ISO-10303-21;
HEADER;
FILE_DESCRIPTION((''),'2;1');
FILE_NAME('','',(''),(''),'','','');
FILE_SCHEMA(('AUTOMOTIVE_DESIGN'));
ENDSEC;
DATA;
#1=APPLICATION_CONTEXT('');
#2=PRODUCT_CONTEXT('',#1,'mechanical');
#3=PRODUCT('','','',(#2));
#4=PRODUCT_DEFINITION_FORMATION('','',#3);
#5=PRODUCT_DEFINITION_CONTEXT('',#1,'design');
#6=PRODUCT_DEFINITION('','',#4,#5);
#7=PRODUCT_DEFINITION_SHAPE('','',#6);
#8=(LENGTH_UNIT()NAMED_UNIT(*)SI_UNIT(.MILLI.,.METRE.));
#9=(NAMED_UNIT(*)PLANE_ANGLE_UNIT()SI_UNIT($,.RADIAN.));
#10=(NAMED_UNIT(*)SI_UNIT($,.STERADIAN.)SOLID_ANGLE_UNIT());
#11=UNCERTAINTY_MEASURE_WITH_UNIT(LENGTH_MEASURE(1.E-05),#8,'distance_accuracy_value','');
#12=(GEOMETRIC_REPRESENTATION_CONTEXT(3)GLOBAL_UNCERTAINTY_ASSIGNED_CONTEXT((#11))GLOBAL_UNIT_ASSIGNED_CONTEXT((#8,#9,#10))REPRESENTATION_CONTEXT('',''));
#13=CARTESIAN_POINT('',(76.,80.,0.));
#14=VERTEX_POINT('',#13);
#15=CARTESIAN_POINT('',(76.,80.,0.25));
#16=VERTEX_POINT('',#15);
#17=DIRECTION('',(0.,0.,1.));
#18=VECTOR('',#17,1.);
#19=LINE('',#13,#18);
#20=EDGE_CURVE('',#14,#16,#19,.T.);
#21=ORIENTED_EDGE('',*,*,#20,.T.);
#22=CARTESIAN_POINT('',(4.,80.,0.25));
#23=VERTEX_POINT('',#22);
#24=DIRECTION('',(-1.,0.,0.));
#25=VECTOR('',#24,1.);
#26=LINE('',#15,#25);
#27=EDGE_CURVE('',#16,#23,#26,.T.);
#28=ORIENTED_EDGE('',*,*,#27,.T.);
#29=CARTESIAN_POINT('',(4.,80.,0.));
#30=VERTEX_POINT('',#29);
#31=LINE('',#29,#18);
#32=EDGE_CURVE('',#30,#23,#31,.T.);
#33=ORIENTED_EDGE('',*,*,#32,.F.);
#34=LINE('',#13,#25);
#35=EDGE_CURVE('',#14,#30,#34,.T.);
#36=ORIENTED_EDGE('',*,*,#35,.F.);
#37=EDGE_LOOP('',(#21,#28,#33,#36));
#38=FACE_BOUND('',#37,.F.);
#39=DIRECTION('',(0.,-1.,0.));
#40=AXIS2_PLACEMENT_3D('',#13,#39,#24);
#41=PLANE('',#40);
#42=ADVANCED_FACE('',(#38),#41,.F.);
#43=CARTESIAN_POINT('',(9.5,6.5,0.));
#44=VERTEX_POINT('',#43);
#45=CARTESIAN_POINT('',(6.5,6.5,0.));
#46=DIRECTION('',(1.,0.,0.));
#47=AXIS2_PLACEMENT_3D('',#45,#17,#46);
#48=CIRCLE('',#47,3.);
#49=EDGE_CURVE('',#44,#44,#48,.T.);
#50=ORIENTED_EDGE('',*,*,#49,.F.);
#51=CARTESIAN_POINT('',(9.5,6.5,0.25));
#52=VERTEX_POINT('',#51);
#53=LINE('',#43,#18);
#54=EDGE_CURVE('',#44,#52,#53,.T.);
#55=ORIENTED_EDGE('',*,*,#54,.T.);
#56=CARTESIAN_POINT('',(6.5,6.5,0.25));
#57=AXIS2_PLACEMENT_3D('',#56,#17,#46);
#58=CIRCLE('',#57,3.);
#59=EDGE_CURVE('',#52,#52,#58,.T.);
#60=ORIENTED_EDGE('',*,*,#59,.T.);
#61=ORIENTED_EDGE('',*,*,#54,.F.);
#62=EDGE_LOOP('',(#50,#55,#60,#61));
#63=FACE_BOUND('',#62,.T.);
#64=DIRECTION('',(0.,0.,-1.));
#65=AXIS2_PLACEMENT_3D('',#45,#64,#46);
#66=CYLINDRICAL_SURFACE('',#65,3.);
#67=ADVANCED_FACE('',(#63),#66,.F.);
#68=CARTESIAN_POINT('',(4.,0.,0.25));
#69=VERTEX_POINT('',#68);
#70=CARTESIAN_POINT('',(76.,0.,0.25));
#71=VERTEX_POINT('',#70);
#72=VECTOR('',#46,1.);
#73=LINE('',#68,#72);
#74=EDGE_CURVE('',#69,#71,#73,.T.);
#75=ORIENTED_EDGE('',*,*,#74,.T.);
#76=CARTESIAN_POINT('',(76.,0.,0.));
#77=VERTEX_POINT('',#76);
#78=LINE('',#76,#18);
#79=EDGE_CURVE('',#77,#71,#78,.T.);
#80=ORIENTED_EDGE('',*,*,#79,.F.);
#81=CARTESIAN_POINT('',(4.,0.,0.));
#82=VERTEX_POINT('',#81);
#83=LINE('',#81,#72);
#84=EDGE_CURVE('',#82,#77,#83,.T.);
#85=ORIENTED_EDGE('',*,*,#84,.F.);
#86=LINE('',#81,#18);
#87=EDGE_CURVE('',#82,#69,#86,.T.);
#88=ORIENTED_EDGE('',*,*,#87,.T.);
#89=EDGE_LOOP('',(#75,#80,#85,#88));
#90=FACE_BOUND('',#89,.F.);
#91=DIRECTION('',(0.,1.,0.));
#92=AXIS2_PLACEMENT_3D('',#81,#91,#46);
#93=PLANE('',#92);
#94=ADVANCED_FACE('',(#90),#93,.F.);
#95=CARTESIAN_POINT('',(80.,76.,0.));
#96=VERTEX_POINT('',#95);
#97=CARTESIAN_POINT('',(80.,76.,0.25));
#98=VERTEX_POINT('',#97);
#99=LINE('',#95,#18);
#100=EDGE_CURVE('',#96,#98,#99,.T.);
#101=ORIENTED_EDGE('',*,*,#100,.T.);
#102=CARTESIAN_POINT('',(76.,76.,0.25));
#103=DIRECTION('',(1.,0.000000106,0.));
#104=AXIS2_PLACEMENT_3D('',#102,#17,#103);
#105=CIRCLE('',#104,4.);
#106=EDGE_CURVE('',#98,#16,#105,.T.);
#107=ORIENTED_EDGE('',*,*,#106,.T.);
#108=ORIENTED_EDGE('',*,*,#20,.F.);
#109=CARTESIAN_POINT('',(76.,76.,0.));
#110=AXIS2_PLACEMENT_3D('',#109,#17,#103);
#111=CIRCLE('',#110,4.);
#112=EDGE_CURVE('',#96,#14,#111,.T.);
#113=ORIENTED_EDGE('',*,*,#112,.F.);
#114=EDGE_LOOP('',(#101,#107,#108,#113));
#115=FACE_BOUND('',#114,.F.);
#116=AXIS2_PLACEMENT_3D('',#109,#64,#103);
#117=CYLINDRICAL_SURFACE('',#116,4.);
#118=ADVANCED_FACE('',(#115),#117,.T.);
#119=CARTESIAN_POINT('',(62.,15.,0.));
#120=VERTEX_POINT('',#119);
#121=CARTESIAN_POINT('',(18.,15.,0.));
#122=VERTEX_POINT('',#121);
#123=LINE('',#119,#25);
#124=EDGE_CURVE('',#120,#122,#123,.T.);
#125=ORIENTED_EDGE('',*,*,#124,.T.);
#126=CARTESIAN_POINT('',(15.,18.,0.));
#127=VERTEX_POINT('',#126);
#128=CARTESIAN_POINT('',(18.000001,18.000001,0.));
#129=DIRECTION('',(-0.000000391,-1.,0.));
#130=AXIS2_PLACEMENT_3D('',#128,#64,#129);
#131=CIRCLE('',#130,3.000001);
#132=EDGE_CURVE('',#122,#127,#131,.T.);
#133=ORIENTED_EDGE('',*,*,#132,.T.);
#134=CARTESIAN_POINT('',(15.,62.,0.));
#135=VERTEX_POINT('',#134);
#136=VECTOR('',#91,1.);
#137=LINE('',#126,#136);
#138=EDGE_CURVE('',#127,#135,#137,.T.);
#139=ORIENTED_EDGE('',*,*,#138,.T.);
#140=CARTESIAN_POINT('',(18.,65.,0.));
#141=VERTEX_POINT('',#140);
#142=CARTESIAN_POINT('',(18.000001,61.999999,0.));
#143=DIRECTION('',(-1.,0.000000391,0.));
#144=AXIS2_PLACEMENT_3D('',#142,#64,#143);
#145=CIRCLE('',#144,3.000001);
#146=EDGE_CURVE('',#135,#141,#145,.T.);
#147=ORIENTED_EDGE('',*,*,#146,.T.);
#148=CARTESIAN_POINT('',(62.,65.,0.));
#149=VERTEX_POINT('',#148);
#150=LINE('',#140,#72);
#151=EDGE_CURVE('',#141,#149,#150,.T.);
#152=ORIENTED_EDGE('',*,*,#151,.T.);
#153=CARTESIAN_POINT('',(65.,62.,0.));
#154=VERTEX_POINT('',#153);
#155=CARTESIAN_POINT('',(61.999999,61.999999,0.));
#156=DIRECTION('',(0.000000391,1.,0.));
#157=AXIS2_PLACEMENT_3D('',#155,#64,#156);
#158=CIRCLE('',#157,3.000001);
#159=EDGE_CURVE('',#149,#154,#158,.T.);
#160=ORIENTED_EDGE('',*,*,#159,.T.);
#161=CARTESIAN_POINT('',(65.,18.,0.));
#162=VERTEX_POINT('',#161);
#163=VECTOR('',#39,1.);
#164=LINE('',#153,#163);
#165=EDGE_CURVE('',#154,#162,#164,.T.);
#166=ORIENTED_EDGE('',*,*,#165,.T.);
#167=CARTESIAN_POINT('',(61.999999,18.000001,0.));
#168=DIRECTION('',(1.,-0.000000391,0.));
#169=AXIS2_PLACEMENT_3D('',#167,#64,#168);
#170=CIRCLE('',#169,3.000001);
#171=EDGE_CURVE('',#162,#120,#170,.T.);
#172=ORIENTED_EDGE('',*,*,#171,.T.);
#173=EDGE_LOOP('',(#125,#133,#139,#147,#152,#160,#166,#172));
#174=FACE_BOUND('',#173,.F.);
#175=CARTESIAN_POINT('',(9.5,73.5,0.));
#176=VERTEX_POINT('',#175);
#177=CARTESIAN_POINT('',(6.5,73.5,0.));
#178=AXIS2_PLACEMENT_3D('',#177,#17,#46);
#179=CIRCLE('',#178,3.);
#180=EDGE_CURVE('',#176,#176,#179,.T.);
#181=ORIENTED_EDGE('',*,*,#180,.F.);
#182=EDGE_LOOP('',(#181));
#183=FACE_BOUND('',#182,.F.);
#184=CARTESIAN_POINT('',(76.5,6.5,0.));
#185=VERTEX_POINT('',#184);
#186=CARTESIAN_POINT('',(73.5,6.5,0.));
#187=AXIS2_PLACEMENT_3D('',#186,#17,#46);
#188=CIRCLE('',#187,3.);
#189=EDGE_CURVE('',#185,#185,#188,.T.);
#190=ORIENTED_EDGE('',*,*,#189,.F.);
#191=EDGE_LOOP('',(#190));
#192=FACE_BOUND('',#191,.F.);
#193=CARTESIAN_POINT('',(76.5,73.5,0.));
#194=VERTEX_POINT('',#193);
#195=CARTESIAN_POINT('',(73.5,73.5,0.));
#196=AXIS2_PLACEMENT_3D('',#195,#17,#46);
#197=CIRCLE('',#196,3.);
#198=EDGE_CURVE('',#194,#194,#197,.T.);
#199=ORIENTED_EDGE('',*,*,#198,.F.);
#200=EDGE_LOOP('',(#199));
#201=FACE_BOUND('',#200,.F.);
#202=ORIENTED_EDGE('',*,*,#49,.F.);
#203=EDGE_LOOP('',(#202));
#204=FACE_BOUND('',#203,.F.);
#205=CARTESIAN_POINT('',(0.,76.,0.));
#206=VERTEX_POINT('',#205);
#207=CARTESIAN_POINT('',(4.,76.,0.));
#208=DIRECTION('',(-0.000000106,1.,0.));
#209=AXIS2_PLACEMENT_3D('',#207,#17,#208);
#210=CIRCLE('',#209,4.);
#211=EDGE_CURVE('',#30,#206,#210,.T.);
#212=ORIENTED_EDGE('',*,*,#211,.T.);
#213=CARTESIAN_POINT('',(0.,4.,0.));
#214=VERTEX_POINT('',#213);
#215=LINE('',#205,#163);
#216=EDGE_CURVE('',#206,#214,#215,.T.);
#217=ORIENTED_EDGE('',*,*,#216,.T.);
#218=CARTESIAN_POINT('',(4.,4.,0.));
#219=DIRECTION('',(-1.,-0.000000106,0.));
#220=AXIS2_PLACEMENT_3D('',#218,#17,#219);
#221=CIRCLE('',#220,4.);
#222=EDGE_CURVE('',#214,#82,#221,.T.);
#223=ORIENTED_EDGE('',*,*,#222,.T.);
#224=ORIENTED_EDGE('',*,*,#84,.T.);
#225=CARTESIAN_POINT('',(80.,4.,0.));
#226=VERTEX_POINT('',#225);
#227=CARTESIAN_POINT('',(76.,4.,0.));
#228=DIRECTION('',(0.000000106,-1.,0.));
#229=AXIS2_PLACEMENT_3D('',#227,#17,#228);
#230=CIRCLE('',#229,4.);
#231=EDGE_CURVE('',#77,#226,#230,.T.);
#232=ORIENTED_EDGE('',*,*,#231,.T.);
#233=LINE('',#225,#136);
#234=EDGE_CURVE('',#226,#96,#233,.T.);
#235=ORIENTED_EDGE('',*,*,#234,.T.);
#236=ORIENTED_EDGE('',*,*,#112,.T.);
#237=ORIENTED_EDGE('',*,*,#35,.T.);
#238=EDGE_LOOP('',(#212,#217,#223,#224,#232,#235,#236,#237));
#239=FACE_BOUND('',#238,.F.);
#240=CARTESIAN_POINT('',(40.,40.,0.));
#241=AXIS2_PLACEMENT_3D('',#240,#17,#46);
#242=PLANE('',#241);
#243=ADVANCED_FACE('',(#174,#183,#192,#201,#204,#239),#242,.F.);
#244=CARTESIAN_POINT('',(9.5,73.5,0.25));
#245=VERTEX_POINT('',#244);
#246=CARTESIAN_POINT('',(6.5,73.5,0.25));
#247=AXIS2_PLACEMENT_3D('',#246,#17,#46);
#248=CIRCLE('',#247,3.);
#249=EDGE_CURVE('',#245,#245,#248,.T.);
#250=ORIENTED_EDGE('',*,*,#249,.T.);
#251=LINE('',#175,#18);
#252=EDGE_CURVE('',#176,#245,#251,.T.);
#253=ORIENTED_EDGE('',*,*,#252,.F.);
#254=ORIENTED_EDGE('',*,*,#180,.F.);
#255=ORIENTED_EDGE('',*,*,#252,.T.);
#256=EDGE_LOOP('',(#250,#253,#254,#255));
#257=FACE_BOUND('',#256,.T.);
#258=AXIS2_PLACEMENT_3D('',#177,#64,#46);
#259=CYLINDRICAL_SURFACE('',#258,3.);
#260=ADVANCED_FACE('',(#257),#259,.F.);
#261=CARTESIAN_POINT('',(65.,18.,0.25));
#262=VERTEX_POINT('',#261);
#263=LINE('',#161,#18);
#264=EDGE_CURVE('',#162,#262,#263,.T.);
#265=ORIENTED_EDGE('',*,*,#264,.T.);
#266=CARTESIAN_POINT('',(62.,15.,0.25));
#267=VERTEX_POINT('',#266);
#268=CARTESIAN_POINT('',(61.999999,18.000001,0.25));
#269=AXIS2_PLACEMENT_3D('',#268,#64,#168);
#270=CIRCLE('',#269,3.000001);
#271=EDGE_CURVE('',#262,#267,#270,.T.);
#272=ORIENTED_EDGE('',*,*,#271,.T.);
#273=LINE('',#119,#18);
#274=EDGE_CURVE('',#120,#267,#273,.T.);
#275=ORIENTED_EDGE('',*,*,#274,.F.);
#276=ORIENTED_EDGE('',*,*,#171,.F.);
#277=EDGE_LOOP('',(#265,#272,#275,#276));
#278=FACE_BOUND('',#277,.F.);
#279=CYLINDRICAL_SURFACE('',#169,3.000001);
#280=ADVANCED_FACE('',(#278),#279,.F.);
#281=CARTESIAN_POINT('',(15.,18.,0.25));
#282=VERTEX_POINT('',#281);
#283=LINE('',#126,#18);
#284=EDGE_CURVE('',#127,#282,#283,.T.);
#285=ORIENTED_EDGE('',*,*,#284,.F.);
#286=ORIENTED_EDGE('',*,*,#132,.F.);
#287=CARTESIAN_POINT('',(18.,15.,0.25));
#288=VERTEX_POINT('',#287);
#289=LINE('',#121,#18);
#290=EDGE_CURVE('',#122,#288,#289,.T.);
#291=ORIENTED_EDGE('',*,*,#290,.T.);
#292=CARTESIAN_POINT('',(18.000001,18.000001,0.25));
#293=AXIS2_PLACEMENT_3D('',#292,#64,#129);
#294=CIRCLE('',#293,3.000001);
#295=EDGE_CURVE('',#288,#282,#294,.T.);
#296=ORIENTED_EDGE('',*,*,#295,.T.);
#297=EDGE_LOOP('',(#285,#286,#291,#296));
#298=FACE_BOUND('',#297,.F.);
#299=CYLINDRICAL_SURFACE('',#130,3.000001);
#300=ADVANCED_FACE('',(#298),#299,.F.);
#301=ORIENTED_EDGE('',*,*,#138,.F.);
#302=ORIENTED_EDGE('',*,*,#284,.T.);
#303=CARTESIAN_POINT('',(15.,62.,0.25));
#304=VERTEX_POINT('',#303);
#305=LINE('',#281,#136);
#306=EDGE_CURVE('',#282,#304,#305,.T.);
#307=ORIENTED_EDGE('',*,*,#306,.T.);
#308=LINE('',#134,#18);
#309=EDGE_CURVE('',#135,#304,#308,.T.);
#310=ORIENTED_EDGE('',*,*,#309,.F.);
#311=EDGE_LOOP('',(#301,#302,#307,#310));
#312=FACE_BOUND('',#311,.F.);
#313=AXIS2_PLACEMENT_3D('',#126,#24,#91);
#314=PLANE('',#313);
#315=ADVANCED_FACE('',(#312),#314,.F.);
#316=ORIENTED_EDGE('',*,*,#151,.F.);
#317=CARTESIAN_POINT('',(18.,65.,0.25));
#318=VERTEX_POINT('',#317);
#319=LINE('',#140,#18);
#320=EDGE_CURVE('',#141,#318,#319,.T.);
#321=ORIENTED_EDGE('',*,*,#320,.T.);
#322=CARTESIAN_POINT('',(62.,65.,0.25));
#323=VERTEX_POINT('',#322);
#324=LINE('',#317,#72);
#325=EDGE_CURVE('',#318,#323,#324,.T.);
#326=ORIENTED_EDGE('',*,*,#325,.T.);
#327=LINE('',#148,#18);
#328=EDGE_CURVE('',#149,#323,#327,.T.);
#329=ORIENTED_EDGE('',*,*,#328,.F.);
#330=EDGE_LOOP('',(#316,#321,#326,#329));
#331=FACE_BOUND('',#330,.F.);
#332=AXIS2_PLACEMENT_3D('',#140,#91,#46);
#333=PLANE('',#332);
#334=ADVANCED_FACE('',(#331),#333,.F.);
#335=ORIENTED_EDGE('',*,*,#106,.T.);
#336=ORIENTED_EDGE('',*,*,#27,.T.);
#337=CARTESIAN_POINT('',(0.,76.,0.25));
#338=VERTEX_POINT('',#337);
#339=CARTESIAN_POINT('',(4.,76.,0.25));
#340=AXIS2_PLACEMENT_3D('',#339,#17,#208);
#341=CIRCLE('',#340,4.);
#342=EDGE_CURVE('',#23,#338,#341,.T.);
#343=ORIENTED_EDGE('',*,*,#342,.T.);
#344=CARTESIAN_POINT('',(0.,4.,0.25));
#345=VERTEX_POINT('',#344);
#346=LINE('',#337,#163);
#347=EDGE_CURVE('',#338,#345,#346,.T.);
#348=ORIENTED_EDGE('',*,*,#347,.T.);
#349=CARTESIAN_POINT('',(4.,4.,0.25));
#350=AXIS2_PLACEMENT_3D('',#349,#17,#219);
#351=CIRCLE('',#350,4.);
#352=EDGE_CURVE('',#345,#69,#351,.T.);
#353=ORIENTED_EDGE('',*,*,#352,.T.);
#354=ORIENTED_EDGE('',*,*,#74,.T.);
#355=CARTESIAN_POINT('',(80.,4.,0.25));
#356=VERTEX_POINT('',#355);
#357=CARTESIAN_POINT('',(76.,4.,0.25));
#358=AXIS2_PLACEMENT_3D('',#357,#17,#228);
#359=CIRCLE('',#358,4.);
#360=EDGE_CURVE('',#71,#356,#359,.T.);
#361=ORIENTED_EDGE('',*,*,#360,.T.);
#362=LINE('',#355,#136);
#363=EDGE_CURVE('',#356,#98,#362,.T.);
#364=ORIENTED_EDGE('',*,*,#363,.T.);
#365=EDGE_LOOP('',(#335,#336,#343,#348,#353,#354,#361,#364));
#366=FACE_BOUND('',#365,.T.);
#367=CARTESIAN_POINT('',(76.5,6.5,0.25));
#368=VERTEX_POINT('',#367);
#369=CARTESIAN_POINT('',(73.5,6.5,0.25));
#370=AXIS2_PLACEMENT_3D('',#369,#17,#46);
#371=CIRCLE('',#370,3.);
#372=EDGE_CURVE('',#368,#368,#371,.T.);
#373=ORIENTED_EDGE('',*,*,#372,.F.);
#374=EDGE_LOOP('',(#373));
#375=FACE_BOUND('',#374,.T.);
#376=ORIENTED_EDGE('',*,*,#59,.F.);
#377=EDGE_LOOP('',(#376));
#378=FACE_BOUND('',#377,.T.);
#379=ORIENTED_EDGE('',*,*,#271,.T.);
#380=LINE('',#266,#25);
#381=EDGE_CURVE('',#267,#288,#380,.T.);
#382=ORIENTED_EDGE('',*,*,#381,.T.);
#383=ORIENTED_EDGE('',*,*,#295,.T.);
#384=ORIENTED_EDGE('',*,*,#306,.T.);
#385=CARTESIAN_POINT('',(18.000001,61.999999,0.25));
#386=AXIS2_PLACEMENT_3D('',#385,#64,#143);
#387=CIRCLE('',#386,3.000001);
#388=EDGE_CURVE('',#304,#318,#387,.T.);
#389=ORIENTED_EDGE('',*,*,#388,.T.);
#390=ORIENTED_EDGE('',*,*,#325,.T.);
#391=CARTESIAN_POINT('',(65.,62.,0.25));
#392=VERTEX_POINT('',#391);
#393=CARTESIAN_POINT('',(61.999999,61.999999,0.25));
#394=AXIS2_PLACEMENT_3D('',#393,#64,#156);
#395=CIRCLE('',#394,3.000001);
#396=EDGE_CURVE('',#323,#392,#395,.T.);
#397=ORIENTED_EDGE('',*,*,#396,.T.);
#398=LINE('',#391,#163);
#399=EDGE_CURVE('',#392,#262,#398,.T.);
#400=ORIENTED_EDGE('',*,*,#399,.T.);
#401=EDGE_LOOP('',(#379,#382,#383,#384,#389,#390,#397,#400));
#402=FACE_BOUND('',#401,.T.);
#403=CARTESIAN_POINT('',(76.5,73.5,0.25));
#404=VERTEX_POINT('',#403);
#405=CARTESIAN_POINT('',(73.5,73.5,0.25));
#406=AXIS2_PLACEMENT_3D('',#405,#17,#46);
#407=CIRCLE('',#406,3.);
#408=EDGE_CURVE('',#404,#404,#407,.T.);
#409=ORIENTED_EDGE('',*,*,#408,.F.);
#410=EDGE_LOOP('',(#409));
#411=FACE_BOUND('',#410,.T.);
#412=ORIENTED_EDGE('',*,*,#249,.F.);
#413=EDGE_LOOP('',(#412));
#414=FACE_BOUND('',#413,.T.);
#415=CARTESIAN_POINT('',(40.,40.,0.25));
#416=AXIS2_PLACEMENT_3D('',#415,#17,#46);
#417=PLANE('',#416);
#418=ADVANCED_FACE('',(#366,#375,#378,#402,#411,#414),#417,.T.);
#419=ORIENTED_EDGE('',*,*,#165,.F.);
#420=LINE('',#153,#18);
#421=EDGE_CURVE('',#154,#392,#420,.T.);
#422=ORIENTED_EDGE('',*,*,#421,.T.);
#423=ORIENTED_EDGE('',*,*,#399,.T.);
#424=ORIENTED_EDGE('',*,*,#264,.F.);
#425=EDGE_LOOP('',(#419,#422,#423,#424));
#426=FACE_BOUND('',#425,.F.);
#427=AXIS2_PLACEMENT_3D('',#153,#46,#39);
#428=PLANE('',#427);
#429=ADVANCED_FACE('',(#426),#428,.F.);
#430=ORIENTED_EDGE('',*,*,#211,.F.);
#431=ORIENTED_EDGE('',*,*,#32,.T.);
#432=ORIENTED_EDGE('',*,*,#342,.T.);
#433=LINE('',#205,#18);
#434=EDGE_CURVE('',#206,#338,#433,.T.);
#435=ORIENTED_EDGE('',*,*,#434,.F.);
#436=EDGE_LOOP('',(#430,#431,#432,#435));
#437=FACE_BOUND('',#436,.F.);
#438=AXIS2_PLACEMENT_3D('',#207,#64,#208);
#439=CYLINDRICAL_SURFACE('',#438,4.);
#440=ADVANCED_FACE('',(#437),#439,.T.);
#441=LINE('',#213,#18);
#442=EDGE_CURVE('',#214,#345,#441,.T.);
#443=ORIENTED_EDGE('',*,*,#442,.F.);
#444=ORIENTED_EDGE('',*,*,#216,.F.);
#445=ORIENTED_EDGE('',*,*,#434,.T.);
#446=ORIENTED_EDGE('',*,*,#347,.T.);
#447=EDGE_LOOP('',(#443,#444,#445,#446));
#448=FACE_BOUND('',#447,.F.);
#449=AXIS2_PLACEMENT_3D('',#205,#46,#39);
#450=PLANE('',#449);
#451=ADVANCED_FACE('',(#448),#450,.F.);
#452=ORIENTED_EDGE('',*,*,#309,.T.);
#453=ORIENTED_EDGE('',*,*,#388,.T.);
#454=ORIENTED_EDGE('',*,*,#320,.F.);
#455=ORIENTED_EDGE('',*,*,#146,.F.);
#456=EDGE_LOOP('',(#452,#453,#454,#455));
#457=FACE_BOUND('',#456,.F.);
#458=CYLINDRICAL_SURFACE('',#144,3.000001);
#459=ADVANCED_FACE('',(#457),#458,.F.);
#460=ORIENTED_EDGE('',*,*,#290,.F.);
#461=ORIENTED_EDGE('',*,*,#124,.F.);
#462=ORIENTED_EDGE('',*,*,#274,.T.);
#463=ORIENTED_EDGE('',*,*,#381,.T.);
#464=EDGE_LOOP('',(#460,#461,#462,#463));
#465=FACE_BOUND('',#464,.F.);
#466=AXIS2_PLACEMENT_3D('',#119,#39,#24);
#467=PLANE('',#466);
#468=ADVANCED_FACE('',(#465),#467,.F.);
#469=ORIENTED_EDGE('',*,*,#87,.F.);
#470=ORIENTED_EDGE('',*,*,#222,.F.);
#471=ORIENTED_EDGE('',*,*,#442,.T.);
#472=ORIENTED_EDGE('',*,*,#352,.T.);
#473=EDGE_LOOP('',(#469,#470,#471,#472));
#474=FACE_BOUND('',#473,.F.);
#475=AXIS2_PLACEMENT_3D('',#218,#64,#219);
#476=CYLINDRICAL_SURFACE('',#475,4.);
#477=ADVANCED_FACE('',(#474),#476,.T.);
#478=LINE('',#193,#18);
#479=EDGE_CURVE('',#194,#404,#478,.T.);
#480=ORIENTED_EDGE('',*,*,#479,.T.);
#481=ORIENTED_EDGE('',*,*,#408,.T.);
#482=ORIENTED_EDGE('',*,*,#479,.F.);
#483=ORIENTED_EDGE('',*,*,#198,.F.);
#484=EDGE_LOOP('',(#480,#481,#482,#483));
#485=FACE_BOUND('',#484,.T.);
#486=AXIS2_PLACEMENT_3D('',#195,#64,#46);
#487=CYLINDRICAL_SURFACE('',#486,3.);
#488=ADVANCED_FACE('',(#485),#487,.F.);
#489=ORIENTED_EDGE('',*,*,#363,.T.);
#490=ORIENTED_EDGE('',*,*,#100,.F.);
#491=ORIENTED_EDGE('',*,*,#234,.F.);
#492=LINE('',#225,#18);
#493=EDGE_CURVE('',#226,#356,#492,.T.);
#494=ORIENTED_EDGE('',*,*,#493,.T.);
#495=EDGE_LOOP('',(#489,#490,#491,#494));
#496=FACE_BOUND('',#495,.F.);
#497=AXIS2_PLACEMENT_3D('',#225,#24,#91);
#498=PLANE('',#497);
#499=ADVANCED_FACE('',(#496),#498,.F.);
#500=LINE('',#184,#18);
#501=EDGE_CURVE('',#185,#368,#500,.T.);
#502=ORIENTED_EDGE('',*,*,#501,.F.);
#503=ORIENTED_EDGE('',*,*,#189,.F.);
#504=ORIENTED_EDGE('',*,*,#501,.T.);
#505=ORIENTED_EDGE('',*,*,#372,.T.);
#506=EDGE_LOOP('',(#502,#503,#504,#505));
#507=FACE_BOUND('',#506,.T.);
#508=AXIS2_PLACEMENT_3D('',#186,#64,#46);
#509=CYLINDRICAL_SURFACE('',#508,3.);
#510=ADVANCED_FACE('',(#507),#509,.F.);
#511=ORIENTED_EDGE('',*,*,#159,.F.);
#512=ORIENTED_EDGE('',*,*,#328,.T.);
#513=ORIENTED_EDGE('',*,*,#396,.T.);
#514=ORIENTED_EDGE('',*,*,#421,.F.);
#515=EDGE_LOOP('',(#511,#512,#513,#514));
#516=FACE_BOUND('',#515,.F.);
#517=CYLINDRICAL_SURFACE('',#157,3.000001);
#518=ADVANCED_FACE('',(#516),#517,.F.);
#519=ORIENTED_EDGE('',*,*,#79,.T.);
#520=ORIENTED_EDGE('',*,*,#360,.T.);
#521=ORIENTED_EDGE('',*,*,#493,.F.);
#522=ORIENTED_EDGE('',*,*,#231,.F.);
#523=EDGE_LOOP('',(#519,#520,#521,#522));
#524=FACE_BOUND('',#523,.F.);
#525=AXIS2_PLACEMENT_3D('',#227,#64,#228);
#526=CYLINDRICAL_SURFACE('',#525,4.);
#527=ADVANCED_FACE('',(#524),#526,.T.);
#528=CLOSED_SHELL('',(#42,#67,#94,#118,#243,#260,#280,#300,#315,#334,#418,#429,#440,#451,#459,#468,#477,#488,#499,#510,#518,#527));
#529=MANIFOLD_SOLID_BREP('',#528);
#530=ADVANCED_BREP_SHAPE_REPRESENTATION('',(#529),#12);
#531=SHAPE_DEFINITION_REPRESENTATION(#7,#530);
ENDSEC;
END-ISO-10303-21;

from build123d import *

# Parameters (mm, degrees)
F0_R     = 3
F1_DEPTH = 0.25


with BuildPart() as f1:
    # F0 (on Top) → F1 (new body)
    with BuildSketch(Plane.XY):
        with BuildLine():
            ThreePointArc((0, 4), (1.171573, 1.171573), (4, 0))
            Line((4, 0), (76, 0))
            ThreePointArc((76, 0), (78.828427, 1.171573), (80, 4))
            Line((80, 4), (80, 76))
            ThreePointArc((80, 76), (78.828427, 78.828427), (76, 80))
            Line((76, 80), (4, 80))
            ThreePointArc((4, 80), (1.171573, 78.828427), (0, 76))
            Line((0, 76), (0, 4))
        make_face()
        with Locations((6.5, 6.5)):
            Circle(F0_R, mode=Mode.SUBTRACT)
        with Locations((73.5, 6.5)):
            Circle(F0_R, mode=Mode.SUBTRACT)
        with BuildLine():
            ThreePointArc((15, 62), (15.87868, 64.12132), (18, 65))
            Line((18, 65), (62, 65))
            ThreePointArc((62, 65), (64.12132, 64.12132), (65, 62))
            Line((65, 62), (65, 18))
            ThreePointArc((65, 18), (64.12132, 15.87868), (62, 15))
            Line((62, 15), (18, 15))
            ThreePointArc((18, 15), (15.87868, 15.87868), (15, 18))
            Line((15, 18), (15, 62))
        make_face(mode=Mode.SUBTRACT)
        with Locations((6.5, 73.5)):
            Circle(F0_R, mode=Mode.SUBTRACT)
        with Locations((73.5, 73.5)):
            Circle(F0_R, mode=Mode.SUBTRACT)
    extrude(amount=F1_DEPTH)


solid = f1.part
